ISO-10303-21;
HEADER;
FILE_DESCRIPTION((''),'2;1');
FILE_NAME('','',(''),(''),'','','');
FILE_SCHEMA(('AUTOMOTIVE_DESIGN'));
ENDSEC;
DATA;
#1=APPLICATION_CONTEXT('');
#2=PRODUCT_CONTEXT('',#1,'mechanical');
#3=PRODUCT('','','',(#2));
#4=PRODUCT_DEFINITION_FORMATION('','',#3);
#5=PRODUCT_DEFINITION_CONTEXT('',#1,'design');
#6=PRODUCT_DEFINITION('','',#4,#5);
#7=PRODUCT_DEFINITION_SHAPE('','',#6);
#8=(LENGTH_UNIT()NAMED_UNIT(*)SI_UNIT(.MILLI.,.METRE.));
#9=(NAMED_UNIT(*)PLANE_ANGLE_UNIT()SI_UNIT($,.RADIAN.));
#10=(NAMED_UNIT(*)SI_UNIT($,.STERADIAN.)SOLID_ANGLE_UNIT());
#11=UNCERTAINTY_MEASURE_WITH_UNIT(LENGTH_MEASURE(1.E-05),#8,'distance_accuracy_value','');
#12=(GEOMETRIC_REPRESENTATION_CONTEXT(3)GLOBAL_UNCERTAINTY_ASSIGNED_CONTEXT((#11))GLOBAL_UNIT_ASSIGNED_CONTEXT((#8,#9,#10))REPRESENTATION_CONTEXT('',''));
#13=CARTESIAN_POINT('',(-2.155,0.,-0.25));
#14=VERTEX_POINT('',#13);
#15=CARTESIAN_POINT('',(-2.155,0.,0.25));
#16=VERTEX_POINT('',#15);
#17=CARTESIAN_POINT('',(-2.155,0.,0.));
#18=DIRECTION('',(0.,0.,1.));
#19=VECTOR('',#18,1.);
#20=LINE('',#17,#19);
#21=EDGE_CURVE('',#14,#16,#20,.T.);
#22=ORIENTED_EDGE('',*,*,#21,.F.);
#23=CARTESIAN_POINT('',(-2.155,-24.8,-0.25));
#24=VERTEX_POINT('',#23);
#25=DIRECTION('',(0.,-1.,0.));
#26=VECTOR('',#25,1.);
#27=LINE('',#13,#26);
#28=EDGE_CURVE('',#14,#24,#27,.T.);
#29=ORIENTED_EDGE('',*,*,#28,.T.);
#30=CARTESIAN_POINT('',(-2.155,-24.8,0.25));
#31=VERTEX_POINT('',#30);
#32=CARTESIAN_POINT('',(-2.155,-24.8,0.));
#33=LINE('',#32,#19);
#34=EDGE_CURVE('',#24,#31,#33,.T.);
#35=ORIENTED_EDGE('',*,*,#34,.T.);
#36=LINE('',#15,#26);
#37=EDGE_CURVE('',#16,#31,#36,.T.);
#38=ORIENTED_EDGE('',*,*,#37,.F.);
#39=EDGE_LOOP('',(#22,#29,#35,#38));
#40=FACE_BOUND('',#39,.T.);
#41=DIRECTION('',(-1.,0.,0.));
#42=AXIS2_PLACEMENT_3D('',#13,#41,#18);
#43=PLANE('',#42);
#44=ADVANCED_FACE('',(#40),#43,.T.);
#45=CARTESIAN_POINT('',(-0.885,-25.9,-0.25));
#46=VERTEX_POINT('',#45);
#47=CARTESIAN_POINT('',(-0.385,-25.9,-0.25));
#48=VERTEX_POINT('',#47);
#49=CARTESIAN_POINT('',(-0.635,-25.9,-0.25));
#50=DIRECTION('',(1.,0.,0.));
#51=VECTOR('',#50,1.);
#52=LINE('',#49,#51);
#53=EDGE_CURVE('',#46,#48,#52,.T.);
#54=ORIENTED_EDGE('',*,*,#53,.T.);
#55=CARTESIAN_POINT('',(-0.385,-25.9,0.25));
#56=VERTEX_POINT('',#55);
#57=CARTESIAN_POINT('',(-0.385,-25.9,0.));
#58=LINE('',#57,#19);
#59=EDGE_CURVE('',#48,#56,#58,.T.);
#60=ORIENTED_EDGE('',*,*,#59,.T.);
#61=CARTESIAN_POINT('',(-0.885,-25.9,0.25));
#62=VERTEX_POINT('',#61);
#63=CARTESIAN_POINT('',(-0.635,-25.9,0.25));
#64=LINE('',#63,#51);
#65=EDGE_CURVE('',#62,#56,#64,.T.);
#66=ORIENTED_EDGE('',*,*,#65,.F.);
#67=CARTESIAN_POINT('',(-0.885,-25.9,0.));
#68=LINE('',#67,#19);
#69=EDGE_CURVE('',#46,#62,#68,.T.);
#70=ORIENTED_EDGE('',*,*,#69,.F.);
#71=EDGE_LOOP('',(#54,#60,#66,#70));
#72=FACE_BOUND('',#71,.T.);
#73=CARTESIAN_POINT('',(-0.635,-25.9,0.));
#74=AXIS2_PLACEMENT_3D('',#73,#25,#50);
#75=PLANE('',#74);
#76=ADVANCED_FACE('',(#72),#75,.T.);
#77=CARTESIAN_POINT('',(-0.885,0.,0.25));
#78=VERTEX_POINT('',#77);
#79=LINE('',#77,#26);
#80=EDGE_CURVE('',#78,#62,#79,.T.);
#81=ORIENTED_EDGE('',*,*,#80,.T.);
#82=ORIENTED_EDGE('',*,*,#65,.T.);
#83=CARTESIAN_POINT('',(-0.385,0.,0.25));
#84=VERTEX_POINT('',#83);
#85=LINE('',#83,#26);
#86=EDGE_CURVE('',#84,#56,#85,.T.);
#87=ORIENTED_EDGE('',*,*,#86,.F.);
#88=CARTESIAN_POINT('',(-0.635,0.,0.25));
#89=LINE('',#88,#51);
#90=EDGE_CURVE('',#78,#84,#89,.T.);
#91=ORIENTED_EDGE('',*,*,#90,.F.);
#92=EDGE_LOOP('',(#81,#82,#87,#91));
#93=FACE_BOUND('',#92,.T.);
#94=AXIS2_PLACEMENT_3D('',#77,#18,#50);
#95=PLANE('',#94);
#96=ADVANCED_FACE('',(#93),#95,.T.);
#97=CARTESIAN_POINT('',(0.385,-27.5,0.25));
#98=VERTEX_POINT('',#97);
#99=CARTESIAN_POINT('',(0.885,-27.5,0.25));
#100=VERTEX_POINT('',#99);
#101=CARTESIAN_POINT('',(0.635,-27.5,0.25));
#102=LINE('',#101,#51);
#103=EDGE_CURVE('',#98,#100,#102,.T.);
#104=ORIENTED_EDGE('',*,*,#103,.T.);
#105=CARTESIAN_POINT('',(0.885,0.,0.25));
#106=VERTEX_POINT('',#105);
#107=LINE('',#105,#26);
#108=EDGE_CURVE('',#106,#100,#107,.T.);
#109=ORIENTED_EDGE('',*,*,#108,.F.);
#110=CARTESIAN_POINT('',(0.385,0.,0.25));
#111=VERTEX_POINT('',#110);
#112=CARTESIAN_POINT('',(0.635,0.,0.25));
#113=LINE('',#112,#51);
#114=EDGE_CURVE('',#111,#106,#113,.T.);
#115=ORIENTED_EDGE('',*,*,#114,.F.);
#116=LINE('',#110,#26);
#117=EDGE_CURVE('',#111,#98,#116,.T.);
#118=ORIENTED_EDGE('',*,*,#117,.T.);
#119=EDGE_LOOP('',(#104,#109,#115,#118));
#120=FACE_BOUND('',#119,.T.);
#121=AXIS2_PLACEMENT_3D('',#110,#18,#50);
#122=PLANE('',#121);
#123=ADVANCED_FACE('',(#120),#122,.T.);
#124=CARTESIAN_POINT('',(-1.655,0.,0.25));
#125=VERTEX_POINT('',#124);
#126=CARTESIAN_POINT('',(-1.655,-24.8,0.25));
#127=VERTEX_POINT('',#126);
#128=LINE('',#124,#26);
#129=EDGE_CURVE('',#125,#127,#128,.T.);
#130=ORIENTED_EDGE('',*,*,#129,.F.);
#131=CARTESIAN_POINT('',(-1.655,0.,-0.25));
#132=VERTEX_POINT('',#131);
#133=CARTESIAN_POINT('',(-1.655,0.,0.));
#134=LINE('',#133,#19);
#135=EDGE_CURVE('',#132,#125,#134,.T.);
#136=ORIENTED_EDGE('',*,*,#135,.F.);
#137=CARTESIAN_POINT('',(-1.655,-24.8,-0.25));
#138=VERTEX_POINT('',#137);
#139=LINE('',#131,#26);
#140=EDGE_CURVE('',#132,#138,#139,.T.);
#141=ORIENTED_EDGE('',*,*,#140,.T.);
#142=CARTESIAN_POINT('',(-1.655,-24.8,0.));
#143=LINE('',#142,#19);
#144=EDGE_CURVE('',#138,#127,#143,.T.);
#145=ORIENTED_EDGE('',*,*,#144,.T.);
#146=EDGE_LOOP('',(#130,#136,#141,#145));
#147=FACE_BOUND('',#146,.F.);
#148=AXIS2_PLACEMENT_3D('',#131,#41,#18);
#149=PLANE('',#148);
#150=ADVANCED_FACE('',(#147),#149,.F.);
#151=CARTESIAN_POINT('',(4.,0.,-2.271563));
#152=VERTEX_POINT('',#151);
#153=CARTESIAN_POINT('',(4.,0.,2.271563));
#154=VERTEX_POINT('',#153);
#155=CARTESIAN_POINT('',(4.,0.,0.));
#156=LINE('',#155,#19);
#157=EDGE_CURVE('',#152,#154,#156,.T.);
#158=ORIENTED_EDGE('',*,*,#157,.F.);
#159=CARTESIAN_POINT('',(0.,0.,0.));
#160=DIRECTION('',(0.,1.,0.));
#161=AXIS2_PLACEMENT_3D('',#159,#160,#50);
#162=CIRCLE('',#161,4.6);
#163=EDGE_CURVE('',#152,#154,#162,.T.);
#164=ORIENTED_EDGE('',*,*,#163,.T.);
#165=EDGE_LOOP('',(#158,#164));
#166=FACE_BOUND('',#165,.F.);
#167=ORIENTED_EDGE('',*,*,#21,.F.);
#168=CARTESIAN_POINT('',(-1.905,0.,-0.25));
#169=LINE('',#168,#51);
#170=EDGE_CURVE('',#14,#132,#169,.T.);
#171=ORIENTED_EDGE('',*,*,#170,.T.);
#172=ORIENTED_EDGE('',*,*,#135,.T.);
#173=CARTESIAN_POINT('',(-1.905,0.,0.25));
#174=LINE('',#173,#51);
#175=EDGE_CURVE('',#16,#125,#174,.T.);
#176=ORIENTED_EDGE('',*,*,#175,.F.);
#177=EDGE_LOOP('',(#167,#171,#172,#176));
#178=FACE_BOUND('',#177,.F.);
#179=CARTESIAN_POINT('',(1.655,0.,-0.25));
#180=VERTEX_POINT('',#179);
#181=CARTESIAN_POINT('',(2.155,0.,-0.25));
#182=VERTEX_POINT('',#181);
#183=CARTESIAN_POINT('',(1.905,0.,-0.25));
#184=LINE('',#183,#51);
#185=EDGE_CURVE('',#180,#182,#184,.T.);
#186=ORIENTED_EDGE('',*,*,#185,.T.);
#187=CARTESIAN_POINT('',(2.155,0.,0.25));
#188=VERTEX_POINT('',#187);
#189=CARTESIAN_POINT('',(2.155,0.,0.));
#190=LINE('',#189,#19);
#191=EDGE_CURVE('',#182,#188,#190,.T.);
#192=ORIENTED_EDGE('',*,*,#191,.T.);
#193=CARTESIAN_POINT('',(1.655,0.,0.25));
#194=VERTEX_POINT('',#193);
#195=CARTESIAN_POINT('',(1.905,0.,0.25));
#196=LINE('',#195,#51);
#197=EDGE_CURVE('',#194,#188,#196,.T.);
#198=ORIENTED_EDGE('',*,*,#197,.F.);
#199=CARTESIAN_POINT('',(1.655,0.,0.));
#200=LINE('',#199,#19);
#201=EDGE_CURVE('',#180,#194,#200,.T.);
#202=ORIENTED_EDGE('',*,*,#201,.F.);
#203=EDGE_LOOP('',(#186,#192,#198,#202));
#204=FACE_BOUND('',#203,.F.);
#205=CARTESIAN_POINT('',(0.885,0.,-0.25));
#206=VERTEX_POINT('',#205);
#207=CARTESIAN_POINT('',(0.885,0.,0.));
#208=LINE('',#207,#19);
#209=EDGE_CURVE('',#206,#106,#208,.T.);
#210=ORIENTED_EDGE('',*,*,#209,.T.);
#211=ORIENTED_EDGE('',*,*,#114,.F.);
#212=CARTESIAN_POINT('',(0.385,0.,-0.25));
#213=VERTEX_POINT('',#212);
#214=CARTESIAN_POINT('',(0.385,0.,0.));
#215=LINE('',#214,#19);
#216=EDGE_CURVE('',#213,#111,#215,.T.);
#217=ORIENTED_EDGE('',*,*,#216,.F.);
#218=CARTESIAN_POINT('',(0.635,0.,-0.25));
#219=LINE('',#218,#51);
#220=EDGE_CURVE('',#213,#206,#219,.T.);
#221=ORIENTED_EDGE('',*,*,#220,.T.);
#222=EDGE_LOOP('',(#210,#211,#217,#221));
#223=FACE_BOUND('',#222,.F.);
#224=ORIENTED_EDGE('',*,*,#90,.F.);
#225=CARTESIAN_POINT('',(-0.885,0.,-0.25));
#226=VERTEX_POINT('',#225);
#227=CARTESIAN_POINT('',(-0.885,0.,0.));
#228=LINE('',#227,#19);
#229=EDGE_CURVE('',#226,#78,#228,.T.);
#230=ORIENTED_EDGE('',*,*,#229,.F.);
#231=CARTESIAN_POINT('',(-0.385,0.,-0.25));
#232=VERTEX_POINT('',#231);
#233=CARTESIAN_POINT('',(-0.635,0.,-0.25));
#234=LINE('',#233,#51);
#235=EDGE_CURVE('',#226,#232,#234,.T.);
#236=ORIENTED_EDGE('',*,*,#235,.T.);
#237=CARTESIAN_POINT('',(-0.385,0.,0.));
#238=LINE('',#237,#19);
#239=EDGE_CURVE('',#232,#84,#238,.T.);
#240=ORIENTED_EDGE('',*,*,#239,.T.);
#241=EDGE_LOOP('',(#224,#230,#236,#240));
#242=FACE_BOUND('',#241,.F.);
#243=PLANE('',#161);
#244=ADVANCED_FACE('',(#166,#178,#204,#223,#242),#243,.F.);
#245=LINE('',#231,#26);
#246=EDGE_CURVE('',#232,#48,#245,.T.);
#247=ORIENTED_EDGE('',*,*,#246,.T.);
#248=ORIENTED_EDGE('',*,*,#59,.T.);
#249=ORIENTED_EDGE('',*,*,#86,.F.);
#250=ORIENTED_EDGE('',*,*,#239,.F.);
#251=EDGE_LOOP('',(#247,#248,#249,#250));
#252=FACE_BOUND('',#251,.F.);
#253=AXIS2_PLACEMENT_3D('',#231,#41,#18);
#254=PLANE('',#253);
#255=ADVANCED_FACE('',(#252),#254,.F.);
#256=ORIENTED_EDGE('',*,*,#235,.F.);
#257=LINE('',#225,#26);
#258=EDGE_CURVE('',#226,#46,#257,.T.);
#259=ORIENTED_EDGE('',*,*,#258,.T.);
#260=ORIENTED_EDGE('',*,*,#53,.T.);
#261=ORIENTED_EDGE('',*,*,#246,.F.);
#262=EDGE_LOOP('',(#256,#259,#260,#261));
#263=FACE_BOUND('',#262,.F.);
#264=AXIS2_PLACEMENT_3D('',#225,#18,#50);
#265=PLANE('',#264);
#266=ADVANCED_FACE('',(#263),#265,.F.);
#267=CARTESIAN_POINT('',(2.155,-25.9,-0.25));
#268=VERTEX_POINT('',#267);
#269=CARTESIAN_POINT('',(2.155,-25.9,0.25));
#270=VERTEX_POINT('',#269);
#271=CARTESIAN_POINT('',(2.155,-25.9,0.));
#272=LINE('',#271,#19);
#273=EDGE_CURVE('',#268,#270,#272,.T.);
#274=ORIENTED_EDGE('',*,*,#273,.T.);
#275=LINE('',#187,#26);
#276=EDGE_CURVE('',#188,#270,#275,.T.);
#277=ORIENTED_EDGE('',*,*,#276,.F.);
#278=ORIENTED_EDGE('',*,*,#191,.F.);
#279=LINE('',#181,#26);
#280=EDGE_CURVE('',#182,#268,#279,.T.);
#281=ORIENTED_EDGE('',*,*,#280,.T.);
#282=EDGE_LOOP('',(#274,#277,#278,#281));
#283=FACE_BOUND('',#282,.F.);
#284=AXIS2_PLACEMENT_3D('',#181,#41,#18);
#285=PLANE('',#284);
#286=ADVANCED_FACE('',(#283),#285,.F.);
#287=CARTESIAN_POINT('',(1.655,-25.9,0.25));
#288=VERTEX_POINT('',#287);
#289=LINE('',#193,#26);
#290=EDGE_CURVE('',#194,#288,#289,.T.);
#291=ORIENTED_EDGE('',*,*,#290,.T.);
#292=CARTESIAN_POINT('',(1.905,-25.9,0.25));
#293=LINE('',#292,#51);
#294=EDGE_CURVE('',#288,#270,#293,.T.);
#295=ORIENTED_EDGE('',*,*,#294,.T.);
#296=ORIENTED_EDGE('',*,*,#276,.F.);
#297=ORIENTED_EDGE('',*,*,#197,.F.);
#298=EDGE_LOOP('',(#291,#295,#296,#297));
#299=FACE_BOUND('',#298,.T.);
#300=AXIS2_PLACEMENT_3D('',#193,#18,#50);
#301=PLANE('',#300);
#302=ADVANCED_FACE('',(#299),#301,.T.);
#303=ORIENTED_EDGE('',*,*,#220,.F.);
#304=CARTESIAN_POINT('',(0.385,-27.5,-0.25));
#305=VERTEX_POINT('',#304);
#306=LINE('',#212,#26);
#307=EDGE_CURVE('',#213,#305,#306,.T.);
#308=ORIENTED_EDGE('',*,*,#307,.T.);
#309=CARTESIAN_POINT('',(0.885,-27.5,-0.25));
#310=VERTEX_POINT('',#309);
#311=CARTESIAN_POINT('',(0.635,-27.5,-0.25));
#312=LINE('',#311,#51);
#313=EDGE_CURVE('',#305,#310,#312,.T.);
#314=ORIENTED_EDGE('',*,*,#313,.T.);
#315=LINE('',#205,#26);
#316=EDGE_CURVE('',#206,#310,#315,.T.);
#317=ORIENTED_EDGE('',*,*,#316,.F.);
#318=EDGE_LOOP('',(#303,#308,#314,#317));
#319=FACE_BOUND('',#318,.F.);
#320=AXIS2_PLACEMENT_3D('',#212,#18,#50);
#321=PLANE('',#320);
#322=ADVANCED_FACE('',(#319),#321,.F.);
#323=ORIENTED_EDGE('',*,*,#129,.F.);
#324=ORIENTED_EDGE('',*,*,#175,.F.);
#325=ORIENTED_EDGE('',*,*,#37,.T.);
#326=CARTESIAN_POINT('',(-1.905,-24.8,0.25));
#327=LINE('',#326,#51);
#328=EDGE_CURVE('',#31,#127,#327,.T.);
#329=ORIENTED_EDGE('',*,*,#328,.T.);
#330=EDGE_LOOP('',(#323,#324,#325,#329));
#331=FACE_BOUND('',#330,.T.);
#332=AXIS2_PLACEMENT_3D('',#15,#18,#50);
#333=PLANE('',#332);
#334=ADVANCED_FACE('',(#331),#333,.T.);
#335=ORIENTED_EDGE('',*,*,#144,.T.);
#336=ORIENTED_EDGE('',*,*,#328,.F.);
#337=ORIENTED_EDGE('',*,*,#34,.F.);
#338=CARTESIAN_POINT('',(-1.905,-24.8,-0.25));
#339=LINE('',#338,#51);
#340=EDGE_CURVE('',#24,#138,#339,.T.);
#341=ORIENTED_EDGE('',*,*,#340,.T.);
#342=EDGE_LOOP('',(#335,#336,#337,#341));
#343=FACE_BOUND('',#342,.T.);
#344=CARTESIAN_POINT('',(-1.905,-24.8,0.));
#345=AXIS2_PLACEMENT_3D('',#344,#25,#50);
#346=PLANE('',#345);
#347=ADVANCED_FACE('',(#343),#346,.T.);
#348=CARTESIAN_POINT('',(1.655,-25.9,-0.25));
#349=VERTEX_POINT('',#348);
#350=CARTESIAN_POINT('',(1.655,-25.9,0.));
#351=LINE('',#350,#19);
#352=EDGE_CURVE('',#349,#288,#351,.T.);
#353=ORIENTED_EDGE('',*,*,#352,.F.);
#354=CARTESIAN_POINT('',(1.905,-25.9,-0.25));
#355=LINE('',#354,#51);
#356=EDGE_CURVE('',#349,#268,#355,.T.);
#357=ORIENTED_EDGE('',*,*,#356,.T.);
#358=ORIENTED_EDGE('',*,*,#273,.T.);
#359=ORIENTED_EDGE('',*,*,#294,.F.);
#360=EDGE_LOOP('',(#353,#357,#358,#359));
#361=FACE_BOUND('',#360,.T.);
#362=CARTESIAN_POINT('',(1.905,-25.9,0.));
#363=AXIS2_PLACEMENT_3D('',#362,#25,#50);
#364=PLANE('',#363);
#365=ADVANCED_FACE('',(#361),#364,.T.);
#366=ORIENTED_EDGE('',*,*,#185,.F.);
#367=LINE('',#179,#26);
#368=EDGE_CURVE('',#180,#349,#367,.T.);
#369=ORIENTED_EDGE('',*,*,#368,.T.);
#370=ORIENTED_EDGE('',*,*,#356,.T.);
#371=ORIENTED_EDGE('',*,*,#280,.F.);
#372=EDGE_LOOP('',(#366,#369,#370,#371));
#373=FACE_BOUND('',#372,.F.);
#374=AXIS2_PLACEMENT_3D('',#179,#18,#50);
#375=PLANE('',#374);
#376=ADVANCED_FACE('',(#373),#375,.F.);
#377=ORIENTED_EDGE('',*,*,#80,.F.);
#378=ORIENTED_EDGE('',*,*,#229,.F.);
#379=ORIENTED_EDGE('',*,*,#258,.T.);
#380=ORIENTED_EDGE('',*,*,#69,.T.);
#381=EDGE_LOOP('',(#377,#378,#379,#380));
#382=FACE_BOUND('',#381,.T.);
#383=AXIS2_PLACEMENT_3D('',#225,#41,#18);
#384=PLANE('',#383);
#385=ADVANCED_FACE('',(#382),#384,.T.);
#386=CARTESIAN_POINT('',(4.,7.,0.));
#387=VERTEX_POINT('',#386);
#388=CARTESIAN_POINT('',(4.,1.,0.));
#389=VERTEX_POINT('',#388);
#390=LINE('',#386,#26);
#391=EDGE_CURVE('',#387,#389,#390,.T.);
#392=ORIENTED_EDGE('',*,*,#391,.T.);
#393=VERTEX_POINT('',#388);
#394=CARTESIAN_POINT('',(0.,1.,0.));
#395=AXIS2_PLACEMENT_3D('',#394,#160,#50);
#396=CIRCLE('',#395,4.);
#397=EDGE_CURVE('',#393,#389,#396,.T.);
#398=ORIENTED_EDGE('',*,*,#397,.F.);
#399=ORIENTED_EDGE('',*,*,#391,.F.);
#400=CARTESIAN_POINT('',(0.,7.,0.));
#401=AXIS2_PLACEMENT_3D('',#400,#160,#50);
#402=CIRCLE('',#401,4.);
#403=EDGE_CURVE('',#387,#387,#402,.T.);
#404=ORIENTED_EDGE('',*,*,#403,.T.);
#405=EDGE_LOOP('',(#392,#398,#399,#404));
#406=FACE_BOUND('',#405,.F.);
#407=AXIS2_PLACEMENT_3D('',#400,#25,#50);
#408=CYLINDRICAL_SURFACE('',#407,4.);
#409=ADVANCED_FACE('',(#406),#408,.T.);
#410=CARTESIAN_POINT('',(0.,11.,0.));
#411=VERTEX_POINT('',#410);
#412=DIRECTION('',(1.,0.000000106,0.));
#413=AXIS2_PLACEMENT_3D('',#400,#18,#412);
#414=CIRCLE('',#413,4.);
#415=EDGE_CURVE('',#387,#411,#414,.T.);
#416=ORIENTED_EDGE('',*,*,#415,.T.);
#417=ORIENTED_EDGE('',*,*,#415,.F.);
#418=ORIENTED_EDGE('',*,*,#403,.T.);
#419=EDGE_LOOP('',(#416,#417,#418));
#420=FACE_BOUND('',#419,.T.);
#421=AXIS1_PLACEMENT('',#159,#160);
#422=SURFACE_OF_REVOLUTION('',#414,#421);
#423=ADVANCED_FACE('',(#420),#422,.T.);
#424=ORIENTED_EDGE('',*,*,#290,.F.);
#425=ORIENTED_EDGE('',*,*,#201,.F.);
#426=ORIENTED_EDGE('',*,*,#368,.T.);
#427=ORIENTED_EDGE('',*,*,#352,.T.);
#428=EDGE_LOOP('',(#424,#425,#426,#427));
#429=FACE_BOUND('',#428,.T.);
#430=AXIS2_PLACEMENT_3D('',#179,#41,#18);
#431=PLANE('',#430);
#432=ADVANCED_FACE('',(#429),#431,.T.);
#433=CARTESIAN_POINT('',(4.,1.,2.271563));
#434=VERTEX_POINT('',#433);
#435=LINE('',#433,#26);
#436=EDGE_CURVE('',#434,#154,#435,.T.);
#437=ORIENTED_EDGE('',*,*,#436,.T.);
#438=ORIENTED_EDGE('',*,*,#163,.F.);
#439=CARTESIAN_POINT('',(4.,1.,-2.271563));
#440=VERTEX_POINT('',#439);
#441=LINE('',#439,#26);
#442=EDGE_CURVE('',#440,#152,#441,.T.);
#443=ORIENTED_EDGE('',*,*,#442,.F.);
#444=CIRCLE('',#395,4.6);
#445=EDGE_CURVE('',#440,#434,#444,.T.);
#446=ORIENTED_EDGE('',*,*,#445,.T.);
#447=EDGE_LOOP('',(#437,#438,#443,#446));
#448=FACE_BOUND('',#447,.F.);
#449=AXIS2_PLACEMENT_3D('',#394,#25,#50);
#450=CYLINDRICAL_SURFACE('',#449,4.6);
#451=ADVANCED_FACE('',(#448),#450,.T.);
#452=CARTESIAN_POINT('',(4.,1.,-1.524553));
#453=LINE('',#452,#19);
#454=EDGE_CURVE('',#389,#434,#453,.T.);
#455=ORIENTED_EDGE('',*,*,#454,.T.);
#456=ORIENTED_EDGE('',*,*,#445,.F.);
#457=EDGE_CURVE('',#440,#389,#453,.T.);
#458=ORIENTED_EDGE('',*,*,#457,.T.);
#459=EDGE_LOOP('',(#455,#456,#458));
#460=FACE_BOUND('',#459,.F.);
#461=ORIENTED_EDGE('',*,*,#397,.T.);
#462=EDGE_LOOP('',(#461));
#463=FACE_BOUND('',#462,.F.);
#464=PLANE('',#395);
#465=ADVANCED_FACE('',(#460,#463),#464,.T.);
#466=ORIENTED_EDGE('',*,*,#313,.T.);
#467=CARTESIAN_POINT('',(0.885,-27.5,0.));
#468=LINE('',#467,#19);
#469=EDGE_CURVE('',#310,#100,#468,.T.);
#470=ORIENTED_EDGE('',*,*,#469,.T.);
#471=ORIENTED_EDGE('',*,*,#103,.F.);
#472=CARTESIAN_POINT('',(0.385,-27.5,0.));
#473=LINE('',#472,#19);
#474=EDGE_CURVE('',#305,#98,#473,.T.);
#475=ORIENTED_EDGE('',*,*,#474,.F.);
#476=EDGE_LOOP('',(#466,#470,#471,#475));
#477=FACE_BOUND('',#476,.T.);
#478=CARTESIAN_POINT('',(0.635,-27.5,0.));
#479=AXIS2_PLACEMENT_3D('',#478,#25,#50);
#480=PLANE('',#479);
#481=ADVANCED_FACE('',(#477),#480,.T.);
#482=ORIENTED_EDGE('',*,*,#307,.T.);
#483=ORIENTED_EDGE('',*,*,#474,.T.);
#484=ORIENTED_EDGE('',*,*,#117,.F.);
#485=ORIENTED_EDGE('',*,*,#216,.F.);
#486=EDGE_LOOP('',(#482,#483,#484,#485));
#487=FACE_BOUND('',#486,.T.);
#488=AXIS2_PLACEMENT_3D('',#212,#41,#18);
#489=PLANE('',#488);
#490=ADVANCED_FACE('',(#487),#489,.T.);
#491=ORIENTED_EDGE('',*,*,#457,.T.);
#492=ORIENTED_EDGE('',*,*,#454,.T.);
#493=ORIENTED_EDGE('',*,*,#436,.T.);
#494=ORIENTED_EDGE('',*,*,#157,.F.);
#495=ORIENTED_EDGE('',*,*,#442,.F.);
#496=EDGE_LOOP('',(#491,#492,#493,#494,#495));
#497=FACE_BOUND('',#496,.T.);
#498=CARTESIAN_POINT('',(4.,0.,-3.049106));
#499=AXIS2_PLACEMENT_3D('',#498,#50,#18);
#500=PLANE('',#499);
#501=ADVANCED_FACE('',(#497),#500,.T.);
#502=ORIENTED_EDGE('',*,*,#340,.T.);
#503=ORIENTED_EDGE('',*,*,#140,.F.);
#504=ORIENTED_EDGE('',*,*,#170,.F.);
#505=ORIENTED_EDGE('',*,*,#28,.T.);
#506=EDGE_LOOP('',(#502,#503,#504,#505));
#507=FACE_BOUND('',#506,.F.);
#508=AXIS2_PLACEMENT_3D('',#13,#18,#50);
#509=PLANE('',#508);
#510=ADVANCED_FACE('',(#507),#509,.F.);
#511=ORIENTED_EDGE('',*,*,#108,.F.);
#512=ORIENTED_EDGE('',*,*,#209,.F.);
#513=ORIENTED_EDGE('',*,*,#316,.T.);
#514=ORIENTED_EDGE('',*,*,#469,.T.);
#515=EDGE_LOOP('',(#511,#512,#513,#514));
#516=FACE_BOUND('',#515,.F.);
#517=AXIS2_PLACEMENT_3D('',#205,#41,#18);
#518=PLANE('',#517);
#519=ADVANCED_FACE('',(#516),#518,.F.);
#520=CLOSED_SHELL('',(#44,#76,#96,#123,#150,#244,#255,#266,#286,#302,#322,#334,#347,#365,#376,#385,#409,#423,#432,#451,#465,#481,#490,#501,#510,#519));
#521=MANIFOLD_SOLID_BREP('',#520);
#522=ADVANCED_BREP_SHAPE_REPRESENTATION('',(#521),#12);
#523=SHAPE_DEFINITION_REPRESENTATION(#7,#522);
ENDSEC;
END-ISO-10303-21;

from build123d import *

# Parameters (mm, degrees)
SKETCH001_W     = 0.5
SKETCH001_H     = 0.5
PAD_DEPTH       = 27.5
SKETCH002_W     = 1
SKETCH002_H     = 6.098212
POCKET_DEPTH    = 5
SKETCH003_W     = 0.5
SKETCH003_H     = 0.5
POCKET001_DEPTH = 2.7
SKETCH004_W     = 0.5
SKETCH004_H     = 0.5
POCKET002_DEPTH = 1.6


with BuildPart() as part:
    # Sketch → Revolution (revolve)
    with BuildSketch(Plane.XY):
        with BuildLine():
            ThreePointArc((4, 7), (2.828427, 9.828427), (0, 11))
            Line((0, 0), (0, 11))
            Line((4.6, 0), (0, 0))
            Line((4.6, 1), (4.6, 0))
            Line((4, 1), (4.6, 1))
            Line((4, 7), (4, 1))
        make_face()
    revolve(axis=Axis((0, 0, 0), (0, 1, 0)))

    # Sketch001 (on Face2 of Revolution) → Pad (new body)
    with BuildSketch(Plane.XZ):
        with Locations((0.635, 0)):
            Rectangle(SKETCH001_W, SKETCH001_H)
        with Locations((1.905, 0)):
            Rectangle(SKETCH001_W, SKETCH001_H)
        with Locations((-0.635, 0)):
            Rectangle(SKETCH001_W, SKETCH001_H)
        with Locations((-1.905, 0)):
            Rectangle(SKETCH001_W, SKETCH001_H)
    extrude(amount=PAD_DEPTH)

    # Sketch002 (on Face5 of Pad) → Pocket (cut)
    with BuildSketch(Plane.XZ):
        with Locations((4.5, 0)):
            Rectangle(SKETCH002_W, SKETCH002_H)
    extrude(amount=-POCKET_DEPTH, mode=Mode.SUBTRACT)

    # Sketch003 (on Face23 of Pocket) → Pocket001 (cut)
    with BuildSketch(Plane.XZ.offset(27.5)):
        with Locations((-1.905, 0)):
            Rectangle(SKETCH003_W, SKETCH003_H)
    extrude(amount=-POCKET001_DEPTH, mode=Mode.SUBTRACT)

    # Sketch004 (on Face24 of Pocket001) → Pocket002 (cut)
    with BuildSketch(Plane.XZ.offset(27.5)):
        with Locations((-0.635, 0)):
            Rectangle(SKETCH004_W, SKETCH004_H)
        with Locations((1.905, 0)):
            Rectangle(SKETCH004_W, SKETCH004_H)
    extrude(amount=-POCKET002_DEPTH, mode=Mode.SUBTRACT)


solid = part.part
